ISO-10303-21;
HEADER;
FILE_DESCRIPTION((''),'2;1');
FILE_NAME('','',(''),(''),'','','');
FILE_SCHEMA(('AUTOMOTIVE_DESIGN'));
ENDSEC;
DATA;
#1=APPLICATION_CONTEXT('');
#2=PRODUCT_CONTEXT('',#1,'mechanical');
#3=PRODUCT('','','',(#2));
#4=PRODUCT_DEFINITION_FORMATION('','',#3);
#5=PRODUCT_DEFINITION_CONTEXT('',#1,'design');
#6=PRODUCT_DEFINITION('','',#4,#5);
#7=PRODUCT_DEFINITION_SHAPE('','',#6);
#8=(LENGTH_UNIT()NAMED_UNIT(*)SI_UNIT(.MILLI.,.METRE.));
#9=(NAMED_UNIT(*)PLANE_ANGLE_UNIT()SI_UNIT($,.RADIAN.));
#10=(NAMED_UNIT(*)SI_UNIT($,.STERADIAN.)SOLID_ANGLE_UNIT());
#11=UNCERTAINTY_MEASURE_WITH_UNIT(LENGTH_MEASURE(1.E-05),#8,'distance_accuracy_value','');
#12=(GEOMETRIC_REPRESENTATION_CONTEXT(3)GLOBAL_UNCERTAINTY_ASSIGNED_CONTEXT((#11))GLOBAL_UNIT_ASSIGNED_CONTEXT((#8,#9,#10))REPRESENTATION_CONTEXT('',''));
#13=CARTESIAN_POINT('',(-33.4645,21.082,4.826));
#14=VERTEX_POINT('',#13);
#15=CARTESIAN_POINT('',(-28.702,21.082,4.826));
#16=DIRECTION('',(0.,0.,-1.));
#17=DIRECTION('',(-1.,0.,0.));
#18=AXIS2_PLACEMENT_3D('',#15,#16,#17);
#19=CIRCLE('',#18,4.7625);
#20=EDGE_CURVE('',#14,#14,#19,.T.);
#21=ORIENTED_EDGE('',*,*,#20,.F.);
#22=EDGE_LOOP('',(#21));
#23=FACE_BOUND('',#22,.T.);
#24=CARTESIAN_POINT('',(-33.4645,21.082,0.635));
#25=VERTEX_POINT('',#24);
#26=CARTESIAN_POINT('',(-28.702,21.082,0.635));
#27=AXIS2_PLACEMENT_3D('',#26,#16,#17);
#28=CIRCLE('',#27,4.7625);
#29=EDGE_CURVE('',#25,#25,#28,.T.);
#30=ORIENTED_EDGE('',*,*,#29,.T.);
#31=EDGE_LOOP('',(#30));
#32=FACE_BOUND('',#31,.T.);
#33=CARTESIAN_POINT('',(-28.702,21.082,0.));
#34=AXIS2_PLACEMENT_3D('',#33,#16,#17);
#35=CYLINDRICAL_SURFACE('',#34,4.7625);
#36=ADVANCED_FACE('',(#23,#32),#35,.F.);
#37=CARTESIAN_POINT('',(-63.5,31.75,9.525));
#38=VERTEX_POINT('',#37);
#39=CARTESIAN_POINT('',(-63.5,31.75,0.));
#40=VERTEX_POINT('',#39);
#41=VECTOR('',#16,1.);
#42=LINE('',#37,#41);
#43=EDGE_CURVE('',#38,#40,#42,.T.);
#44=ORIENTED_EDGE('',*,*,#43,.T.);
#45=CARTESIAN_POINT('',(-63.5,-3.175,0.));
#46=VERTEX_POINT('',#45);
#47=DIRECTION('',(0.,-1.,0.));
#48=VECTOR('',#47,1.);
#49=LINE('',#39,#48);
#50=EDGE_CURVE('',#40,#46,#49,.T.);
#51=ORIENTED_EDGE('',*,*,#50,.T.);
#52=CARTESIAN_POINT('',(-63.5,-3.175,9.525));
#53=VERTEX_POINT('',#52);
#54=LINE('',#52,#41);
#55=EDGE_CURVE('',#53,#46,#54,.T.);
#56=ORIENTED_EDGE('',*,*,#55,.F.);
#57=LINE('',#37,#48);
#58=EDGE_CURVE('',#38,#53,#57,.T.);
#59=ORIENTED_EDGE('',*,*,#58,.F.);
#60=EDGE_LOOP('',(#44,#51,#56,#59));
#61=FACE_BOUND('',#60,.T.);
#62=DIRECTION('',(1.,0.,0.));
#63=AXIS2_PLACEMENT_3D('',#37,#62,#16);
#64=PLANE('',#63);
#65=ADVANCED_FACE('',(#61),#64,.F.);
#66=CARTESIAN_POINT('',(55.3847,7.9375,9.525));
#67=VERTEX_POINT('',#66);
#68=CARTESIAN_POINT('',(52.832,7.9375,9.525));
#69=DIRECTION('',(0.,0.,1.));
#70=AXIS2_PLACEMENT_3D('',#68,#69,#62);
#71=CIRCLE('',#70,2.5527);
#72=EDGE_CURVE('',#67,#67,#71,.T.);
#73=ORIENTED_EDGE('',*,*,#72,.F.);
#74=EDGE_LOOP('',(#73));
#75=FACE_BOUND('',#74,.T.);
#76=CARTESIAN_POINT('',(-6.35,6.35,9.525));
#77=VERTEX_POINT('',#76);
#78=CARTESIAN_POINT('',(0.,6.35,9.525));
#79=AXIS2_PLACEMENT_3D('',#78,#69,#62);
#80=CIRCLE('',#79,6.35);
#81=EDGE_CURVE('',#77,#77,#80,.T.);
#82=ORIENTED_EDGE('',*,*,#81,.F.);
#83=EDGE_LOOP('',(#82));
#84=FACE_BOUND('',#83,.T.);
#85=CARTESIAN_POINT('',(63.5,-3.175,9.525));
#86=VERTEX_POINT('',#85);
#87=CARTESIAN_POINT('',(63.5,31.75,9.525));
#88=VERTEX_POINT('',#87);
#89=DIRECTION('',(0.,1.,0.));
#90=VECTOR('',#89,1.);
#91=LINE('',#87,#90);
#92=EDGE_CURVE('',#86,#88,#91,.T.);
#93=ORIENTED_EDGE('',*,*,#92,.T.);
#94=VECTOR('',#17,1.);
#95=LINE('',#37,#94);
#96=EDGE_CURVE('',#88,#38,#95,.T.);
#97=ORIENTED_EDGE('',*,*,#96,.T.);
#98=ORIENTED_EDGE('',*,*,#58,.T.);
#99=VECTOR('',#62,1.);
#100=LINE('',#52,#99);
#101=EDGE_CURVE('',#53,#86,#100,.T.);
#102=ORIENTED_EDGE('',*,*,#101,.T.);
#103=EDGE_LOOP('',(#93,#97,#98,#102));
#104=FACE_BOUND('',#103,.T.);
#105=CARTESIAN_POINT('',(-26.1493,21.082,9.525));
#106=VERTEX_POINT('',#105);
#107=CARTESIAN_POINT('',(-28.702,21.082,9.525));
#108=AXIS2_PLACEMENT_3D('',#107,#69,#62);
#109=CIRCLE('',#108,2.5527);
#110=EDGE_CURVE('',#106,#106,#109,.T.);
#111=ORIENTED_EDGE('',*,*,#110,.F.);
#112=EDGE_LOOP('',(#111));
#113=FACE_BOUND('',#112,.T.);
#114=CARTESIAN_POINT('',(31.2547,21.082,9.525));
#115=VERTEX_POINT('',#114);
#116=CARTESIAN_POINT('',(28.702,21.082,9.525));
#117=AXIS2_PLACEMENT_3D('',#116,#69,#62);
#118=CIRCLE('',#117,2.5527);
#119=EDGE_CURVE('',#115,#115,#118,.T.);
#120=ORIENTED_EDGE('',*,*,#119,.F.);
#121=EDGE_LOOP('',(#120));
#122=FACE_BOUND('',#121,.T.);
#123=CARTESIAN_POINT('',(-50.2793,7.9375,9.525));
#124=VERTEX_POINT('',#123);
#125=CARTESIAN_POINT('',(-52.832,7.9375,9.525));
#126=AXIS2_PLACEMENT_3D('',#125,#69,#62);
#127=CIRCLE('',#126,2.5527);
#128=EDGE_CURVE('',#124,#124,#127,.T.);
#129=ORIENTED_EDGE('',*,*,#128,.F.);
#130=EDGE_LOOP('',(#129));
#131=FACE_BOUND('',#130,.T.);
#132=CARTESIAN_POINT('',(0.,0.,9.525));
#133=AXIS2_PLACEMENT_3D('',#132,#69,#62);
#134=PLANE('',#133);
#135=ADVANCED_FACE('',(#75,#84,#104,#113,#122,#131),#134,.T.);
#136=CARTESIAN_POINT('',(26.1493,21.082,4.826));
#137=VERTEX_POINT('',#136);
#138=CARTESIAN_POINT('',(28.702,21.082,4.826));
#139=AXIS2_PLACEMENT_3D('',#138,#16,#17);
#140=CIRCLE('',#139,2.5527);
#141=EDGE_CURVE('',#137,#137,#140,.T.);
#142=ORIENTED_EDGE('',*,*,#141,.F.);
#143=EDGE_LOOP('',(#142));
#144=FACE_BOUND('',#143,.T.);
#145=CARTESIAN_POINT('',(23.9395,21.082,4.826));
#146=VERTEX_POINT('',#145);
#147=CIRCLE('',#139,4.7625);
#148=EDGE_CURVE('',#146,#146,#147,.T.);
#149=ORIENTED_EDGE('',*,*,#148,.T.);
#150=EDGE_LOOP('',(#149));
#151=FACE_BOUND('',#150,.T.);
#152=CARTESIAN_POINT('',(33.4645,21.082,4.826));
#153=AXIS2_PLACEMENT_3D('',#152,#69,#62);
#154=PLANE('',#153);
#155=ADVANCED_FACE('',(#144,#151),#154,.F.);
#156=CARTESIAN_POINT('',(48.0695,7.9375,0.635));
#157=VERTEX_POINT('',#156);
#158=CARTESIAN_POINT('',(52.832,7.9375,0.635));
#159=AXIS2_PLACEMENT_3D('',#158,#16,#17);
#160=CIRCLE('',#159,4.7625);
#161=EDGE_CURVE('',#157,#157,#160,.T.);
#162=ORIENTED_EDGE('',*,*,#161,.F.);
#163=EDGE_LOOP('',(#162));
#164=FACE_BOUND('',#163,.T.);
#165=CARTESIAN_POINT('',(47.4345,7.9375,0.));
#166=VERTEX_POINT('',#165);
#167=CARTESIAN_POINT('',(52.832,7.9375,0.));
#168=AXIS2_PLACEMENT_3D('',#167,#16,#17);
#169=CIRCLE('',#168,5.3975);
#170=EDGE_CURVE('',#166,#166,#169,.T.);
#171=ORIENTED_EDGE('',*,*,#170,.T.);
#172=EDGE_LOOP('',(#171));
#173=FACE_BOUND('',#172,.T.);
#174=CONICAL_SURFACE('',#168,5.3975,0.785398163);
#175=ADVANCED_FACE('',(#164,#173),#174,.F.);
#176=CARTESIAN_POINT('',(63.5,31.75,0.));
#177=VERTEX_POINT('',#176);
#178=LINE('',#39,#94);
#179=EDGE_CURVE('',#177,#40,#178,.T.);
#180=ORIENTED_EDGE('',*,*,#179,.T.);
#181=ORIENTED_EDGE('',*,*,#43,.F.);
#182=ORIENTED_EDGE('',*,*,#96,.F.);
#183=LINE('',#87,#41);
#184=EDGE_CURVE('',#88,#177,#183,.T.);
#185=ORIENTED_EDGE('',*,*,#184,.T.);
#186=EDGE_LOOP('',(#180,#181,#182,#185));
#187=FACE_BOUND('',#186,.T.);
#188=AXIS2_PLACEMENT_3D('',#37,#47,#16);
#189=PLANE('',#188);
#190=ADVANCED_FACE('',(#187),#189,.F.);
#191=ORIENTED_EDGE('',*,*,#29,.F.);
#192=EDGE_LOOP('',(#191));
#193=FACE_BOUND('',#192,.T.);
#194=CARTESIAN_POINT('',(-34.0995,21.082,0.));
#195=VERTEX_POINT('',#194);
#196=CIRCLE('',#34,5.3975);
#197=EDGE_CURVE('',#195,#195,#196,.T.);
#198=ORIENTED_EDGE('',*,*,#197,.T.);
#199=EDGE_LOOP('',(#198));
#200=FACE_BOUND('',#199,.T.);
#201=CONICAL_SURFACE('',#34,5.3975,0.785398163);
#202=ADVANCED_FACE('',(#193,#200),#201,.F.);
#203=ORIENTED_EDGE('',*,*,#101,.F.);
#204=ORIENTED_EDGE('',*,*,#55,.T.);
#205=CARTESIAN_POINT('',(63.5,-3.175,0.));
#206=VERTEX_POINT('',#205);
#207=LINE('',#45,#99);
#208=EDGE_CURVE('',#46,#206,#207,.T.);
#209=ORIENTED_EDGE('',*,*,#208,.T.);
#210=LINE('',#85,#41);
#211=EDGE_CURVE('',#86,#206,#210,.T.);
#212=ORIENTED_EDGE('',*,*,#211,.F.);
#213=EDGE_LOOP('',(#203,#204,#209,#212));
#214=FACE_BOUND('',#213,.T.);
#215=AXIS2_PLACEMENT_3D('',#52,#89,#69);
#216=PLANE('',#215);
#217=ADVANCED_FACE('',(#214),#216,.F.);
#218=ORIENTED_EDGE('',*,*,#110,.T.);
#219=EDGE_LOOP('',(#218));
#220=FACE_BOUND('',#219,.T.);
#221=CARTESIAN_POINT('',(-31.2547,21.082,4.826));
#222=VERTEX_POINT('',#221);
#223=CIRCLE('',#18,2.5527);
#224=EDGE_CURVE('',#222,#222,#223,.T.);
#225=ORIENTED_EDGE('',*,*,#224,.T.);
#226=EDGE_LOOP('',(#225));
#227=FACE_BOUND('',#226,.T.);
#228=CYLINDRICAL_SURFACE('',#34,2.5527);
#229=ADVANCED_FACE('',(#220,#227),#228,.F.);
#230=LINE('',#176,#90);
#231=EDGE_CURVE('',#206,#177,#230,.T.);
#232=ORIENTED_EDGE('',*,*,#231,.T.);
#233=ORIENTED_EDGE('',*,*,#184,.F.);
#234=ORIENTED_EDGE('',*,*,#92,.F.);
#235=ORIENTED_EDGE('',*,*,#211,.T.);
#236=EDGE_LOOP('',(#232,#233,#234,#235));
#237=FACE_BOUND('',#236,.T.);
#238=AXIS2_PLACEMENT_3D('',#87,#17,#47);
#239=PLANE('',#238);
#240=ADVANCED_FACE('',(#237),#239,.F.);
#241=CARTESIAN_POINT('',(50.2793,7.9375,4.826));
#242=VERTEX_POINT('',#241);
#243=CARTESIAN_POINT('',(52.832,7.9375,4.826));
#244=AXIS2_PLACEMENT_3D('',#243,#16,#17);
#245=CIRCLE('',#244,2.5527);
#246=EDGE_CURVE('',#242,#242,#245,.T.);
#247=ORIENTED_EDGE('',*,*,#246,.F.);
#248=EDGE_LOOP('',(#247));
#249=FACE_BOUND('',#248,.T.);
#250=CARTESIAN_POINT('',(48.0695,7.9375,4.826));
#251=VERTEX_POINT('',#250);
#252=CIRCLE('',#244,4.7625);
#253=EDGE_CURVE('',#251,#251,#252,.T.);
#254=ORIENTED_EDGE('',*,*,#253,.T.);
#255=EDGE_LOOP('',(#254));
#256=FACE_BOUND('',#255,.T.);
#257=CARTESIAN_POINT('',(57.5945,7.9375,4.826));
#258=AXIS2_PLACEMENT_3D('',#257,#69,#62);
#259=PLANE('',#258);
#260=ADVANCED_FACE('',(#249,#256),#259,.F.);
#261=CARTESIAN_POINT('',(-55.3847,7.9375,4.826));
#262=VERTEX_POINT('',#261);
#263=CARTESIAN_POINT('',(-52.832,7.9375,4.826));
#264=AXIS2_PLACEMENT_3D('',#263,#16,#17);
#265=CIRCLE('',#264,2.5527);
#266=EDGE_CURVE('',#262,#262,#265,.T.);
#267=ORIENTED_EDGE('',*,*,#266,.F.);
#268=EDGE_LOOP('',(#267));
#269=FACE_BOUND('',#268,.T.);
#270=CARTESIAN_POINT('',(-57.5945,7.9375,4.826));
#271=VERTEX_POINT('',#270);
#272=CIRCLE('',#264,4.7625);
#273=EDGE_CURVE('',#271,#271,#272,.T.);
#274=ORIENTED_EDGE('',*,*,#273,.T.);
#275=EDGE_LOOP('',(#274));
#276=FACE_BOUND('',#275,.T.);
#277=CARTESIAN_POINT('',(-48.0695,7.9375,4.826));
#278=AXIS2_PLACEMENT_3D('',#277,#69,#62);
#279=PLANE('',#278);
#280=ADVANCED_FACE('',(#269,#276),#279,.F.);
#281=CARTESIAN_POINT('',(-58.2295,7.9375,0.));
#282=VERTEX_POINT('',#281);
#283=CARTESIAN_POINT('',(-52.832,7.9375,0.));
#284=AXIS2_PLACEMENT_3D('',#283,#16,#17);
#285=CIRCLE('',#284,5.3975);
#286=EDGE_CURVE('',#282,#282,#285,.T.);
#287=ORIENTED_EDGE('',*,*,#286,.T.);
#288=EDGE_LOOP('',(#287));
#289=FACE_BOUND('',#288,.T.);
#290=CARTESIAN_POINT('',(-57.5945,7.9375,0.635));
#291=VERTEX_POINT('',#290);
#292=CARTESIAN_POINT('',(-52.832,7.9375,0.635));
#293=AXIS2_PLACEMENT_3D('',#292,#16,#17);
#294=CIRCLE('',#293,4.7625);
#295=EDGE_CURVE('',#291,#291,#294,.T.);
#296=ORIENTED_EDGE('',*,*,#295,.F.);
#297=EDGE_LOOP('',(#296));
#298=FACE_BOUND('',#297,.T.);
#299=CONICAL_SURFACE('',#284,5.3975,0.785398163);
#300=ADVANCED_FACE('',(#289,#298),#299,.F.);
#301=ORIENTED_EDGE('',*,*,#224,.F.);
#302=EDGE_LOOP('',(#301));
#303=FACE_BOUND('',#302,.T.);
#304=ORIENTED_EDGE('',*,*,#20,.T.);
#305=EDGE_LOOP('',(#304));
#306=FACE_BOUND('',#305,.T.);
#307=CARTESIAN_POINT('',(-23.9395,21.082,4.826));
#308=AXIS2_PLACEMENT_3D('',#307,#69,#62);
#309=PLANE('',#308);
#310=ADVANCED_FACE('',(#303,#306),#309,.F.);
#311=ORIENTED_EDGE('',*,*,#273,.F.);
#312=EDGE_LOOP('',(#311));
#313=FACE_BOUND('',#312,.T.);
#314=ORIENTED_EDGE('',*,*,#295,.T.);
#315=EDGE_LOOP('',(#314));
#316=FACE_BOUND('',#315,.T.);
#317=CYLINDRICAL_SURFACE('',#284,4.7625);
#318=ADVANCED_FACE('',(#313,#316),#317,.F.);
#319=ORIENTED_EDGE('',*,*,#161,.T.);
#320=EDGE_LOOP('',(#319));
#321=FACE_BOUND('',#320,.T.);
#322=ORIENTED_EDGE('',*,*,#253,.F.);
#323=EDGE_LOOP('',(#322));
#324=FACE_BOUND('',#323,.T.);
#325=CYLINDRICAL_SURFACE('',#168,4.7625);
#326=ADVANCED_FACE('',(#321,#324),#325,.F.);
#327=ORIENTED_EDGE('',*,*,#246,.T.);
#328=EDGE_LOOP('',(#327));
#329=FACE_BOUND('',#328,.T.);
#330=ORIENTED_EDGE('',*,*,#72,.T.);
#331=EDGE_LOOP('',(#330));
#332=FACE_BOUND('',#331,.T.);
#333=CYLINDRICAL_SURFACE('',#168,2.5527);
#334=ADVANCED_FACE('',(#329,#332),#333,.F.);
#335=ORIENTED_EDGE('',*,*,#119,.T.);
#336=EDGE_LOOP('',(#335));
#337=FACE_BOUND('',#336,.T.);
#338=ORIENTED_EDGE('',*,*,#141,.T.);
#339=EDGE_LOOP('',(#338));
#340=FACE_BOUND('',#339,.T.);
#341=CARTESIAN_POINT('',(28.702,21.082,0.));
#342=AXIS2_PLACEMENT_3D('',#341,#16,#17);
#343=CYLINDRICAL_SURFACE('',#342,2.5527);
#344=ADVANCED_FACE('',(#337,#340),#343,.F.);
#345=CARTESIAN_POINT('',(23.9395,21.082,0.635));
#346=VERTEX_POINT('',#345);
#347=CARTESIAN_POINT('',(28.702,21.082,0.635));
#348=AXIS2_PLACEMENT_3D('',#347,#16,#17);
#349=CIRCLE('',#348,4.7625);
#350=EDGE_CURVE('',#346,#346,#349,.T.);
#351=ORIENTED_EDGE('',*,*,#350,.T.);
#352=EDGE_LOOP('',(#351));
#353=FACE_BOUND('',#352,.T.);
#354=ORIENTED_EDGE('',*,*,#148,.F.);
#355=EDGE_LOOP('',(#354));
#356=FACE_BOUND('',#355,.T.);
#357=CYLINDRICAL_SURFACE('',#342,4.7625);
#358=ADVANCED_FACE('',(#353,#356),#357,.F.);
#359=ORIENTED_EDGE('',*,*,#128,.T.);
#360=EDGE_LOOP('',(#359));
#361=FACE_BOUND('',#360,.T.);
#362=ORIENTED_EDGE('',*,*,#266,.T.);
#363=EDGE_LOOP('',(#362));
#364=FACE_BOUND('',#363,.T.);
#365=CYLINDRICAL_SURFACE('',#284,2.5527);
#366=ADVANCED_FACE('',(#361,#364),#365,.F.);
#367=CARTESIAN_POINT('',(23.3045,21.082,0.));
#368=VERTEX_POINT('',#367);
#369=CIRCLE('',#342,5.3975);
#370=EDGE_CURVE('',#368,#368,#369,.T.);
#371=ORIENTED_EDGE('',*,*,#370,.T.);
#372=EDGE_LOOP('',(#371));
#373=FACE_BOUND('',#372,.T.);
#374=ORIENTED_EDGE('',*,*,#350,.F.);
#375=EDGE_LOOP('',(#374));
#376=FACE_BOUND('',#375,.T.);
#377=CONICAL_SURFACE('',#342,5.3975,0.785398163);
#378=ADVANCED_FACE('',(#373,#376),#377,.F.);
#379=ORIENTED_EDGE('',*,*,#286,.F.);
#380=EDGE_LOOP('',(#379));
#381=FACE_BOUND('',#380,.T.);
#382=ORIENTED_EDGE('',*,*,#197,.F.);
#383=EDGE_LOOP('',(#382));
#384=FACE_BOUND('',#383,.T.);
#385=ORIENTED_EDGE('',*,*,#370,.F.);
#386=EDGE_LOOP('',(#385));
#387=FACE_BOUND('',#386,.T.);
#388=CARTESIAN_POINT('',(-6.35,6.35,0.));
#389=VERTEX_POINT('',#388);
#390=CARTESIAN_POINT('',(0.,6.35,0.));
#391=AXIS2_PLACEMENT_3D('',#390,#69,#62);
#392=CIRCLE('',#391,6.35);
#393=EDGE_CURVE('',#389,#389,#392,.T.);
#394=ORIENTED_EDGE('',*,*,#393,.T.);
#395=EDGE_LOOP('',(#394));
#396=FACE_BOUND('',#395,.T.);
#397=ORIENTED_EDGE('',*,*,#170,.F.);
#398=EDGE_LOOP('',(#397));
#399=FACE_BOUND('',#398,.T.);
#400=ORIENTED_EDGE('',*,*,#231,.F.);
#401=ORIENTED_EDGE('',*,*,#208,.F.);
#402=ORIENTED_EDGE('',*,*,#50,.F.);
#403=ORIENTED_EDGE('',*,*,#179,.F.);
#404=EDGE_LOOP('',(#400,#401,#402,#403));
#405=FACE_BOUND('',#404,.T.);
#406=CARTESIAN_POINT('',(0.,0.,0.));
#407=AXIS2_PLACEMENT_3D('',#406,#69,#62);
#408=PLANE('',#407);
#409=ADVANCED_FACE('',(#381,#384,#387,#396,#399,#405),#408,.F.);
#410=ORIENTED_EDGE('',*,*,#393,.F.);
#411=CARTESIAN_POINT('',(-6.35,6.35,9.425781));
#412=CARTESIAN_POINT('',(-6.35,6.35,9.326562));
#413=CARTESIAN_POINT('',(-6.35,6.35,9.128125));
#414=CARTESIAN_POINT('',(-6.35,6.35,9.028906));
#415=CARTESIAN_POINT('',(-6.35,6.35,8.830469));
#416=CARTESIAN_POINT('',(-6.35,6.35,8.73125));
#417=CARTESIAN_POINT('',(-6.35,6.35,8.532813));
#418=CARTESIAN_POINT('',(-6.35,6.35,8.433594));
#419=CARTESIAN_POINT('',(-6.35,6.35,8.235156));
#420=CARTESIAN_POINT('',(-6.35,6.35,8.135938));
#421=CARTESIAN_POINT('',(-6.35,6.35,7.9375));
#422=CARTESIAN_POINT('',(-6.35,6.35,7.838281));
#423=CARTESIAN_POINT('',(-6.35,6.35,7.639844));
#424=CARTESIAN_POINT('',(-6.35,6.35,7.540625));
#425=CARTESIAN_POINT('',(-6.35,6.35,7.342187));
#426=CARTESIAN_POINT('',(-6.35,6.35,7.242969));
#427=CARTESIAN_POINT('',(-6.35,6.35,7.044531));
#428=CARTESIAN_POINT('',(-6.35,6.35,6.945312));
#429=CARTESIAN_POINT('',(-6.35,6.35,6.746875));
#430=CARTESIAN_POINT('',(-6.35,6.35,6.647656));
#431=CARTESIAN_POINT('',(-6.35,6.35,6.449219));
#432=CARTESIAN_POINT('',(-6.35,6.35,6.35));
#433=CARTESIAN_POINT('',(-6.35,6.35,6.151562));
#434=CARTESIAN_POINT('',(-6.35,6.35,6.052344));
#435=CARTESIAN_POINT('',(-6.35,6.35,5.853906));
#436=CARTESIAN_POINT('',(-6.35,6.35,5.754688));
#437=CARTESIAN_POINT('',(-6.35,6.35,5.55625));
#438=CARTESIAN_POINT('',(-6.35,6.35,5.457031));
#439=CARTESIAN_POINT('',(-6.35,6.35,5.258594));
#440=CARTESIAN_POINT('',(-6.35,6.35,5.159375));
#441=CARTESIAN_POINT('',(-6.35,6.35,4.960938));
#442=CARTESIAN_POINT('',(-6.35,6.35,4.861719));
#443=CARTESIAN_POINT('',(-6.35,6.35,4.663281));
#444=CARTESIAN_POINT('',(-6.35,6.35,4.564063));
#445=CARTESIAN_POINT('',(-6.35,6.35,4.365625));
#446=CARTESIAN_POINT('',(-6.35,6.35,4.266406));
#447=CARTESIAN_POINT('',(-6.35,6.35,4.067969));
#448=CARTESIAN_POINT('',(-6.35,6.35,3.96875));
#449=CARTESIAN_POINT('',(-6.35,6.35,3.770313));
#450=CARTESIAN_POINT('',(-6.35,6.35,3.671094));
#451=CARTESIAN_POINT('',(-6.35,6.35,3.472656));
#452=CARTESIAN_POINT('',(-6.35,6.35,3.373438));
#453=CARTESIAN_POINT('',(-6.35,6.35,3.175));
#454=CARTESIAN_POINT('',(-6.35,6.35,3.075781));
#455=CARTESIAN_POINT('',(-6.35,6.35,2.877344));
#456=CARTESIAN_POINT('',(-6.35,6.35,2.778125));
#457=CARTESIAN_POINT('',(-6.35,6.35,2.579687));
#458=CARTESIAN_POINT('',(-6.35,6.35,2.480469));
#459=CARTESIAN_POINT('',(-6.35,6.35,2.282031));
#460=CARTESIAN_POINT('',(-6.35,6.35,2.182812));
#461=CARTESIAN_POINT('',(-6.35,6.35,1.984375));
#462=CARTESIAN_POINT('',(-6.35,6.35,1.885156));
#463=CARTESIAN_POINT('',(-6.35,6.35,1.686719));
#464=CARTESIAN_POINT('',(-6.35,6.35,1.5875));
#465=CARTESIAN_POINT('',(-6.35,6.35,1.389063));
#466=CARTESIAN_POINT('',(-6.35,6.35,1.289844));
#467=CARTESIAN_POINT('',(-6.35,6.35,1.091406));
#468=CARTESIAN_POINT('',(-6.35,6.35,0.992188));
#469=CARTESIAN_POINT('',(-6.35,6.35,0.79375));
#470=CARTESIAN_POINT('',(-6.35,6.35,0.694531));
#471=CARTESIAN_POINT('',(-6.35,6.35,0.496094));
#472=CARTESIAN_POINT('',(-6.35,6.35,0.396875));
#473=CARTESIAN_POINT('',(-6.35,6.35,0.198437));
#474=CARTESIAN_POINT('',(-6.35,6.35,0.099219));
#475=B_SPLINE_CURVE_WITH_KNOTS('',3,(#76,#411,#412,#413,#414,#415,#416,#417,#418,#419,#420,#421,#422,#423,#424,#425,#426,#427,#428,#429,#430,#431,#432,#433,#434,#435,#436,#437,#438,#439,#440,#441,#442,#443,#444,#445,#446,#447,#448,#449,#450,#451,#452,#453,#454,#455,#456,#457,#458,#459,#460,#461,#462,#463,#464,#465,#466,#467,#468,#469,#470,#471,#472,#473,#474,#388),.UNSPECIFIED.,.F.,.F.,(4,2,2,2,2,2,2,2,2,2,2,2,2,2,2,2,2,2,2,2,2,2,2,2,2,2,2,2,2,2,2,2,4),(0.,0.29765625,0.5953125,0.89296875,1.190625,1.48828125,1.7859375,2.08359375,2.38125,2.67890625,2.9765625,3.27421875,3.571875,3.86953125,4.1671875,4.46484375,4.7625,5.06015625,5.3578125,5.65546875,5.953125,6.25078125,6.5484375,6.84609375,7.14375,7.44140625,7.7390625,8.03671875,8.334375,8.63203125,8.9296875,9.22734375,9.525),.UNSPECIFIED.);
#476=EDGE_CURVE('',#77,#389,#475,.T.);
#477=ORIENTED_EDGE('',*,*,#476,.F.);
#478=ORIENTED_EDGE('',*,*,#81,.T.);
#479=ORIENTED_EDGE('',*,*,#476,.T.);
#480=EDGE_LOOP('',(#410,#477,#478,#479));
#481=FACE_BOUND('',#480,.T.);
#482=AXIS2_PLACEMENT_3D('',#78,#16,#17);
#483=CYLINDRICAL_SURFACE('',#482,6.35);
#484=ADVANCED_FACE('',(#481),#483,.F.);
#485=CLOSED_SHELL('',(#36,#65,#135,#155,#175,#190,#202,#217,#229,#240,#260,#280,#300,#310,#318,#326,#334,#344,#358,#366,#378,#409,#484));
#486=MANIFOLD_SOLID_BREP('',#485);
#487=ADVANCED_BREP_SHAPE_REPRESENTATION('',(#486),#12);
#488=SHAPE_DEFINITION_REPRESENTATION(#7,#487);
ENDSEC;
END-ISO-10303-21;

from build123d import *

# Parameters (mm, degrees)
SKETCH1_W                                    = 127
SKETCH1_H                                    = 34.925
SKETCH1_R                                    = 6.35
BOSS_EXTRUDE1_DEPTH                          = 9.525
CBORE_FOR_10_SOCKET_HEAD_CAP_SCREW1_AT_COUNT = 2
CBORE_FOR_10_SOCKET_HEAD_CAP_SCREW1_AT_PITCH = 27.477896212
CBORE_FOR_10_SOCKET_HEAD_CAP_SCREW1_2_COUNT  = 2
CBORE_FOR_10_SOCKET_HEAD_CAP_SCREW1_2_PITCH  = 57.404
CBORE_FOR_10_SOCKET_HEAD_CAP_SCREW1_3_COUNT  = 2
CBORE_FOR_10_SOCKET_HEAD_CAP_SCREW1_3_PITCH  = 82.586748551


with BuildPart() as part:
    # Sketch1 → Boss-Extrude1 (new body)
    with BuildSketch(Plane.XY):
        with Locations((0, 14.2875)):
            Rectangle(SKETCH1_W, SKETCH1_H)
        with Locations(Location((0, 6.35, 0), (0, 0, 180))):
            Circle(SKETCH1_R, mode=Mode.SUBTRACT)
    extrude(amount=BOSS_EXTRUDE1_DEPTH)

    # Sketch7 → CBORE for #10 Socket Head Cap Screw1 (revolve, cut)
    with BuildSketch(Plane(origin=(28.702, 21.082, 0), x_dir=(0, 1, 0), z_dir=(1, 0, 0))):
        Polygon((0, 0), (0, 9.525), (2.5527, 9.525), (2.5527, 4.826), (4.7625, 4.826), (4.7625, 0.635), (5.3975, 0), align=None)
    cbore_for_10_socket_head_cap_screw1 = revolve(axis=Axis((28.702, 21.082, -6.35), (0, 0, 1)), mode=Mode.SUBTRACT)

    # CBORE for #10 Socket Head Cap Screw1 at: CBORE for #10 Socket Head Cap Screw1 ×2
    with Locations(*[Vector(0.878160388030778, -0.47836631663781837, 0) * (i * CBORE_FOR_10_SOCKET_HEAD_CAP_SCREW1_AT_PITCH) for i in range(1, CBORE_FOR_10_SOCKET_HEAD_CAP_SCREW1_AT_COUNT)]):
        add(cbore_for_10_socket_head_cap_screw1, mode=Mode.SUBTRACT)

    # CBORE for _10 Socket Head Cap Screw1 2: CBORE for #10 Socket Head Cap Screw1 ×2
    with Locations(*[(-i * CBORE_FOR_10_SOCKET_HEAD_CAP_SCREW1_2_PITCH, 0, 0) for i in range(1, CBORE_FOR_10_SOCKET_HEAD_CAP_SCREW1_2_COUNT)]):
        add(cbore_for_10_socket_head_cap_screw1, mode=Mode.SUBTRACT)

    # CBORE for _10 Socket Head Cap Screw1 3: CBORE for #10 Socket Head Cap Screw1 ×2
    with Locations(*[Vector(-0.9872528151354362, -0.1591599164587503, 0) * (i * CBORE_FOR_10_SOCKET_HEAD_CAP_SCREW1_3_PITCH) for i in range(1, CBORE_FOR_10_SOCKET_HEAD_CAP_SCREW1_3_COUNT)]):
        add(cbore_for_10_socket_head_cap_screw1, mode=Mode.SUBTRACT)


solid = part.part
